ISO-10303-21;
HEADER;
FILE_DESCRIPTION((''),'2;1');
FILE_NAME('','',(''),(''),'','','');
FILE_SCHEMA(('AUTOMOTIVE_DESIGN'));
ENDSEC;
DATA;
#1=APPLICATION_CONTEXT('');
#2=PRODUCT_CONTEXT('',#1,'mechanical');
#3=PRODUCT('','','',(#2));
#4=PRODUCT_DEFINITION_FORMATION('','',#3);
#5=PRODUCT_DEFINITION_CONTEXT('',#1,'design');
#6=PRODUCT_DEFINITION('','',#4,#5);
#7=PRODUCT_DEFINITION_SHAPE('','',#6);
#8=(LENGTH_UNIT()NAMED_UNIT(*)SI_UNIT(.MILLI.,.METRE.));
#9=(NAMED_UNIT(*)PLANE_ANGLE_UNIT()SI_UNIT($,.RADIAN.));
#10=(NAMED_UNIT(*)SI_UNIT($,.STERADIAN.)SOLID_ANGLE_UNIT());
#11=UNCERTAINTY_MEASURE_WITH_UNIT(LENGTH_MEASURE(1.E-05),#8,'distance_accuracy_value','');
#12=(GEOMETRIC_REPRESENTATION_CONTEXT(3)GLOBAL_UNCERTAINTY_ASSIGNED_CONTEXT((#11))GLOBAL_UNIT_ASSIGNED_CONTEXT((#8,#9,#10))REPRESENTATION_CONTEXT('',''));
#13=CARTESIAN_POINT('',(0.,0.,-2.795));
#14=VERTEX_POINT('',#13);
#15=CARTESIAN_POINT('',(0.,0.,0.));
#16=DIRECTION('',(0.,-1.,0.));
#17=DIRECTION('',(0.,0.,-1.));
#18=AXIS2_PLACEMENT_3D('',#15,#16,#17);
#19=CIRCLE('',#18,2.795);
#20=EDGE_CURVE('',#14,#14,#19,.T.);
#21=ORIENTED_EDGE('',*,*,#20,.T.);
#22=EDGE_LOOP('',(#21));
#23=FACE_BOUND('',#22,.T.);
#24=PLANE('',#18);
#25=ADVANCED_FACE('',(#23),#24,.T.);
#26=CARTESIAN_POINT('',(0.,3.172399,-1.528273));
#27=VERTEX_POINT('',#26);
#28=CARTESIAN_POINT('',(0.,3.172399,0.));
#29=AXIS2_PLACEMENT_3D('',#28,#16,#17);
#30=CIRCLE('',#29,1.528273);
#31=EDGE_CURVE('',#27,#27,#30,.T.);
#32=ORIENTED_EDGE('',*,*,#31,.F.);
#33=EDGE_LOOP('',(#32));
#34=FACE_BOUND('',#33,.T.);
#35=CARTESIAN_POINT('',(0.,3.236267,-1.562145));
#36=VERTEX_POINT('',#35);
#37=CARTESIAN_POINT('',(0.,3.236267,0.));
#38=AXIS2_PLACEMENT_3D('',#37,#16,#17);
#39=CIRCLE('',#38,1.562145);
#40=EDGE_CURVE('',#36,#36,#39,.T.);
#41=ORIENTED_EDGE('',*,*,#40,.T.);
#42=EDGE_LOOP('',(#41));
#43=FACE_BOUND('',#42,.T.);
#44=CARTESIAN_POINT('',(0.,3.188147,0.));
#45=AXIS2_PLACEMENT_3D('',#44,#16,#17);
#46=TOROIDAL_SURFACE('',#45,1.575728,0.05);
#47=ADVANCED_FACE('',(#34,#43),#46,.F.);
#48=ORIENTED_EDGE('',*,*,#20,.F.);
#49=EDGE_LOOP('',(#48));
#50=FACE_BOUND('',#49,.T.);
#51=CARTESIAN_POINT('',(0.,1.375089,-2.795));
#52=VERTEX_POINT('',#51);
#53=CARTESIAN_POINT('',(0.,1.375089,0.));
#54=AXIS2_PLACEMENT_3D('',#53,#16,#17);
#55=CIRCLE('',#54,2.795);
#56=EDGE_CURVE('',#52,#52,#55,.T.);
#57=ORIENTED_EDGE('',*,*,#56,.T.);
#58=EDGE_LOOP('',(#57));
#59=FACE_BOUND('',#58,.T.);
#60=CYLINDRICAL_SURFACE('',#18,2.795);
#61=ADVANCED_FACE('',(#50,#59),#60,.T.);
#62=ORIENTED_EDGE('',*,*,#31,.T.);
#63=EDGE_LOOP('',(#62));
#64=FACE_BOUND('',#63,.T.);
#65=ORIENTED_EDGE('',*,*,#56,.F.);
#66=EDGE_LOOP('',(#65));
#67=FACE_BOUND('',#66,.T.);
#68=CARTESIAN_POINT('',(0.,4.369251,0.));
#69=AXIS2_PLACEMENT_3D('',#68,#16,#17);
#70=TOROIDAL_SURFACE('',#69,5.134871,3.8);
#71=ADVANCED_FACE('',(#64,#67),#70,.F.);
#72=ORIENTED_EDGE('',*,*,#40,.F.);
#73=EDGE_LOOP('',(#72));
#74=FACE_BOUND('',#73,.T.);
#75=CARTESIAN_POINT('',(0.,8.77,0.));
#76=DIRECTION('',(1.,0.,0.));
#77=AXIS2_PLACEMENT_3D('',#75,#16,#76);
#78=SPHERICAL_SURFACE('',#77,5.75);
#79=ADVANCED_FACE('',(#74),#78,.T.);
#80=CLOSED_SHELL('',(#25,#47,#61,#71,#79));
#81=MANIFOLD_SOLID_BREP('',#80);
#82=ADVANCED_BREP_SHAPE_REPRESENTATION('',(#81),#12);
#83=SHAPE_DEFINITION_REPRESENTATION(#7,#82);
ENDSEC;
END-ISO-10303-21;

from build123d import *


with BuildPart() as part:
    # Sketch1 → Revolve1 (revolve)
    with BuildSketch(Plane.XY):
        with BuildLine():
            Line((0, 0), (2.795, 0))
            Line((2.795, 0), (2.795, 1.375089342))
            ThreePointArc((2.795, 1.375089342), (2.028795721, 2.180119301), (1.528273182, 3.172399211))
            ThreePointArc((1.528273182, 3.172399211), (1.531555951, 3.211573609), (1.562144546, 3.236266684))
            ThreePointArc((1.562144546, 3.236266684), (5.695676719, 9.558521855), (0, 14.52))
            Line((0, 14.52), (0, 0))
        make_face()
    revolve(axis=Axis((0, 0, 0), (0, 1, 0)))


solid = part.part
